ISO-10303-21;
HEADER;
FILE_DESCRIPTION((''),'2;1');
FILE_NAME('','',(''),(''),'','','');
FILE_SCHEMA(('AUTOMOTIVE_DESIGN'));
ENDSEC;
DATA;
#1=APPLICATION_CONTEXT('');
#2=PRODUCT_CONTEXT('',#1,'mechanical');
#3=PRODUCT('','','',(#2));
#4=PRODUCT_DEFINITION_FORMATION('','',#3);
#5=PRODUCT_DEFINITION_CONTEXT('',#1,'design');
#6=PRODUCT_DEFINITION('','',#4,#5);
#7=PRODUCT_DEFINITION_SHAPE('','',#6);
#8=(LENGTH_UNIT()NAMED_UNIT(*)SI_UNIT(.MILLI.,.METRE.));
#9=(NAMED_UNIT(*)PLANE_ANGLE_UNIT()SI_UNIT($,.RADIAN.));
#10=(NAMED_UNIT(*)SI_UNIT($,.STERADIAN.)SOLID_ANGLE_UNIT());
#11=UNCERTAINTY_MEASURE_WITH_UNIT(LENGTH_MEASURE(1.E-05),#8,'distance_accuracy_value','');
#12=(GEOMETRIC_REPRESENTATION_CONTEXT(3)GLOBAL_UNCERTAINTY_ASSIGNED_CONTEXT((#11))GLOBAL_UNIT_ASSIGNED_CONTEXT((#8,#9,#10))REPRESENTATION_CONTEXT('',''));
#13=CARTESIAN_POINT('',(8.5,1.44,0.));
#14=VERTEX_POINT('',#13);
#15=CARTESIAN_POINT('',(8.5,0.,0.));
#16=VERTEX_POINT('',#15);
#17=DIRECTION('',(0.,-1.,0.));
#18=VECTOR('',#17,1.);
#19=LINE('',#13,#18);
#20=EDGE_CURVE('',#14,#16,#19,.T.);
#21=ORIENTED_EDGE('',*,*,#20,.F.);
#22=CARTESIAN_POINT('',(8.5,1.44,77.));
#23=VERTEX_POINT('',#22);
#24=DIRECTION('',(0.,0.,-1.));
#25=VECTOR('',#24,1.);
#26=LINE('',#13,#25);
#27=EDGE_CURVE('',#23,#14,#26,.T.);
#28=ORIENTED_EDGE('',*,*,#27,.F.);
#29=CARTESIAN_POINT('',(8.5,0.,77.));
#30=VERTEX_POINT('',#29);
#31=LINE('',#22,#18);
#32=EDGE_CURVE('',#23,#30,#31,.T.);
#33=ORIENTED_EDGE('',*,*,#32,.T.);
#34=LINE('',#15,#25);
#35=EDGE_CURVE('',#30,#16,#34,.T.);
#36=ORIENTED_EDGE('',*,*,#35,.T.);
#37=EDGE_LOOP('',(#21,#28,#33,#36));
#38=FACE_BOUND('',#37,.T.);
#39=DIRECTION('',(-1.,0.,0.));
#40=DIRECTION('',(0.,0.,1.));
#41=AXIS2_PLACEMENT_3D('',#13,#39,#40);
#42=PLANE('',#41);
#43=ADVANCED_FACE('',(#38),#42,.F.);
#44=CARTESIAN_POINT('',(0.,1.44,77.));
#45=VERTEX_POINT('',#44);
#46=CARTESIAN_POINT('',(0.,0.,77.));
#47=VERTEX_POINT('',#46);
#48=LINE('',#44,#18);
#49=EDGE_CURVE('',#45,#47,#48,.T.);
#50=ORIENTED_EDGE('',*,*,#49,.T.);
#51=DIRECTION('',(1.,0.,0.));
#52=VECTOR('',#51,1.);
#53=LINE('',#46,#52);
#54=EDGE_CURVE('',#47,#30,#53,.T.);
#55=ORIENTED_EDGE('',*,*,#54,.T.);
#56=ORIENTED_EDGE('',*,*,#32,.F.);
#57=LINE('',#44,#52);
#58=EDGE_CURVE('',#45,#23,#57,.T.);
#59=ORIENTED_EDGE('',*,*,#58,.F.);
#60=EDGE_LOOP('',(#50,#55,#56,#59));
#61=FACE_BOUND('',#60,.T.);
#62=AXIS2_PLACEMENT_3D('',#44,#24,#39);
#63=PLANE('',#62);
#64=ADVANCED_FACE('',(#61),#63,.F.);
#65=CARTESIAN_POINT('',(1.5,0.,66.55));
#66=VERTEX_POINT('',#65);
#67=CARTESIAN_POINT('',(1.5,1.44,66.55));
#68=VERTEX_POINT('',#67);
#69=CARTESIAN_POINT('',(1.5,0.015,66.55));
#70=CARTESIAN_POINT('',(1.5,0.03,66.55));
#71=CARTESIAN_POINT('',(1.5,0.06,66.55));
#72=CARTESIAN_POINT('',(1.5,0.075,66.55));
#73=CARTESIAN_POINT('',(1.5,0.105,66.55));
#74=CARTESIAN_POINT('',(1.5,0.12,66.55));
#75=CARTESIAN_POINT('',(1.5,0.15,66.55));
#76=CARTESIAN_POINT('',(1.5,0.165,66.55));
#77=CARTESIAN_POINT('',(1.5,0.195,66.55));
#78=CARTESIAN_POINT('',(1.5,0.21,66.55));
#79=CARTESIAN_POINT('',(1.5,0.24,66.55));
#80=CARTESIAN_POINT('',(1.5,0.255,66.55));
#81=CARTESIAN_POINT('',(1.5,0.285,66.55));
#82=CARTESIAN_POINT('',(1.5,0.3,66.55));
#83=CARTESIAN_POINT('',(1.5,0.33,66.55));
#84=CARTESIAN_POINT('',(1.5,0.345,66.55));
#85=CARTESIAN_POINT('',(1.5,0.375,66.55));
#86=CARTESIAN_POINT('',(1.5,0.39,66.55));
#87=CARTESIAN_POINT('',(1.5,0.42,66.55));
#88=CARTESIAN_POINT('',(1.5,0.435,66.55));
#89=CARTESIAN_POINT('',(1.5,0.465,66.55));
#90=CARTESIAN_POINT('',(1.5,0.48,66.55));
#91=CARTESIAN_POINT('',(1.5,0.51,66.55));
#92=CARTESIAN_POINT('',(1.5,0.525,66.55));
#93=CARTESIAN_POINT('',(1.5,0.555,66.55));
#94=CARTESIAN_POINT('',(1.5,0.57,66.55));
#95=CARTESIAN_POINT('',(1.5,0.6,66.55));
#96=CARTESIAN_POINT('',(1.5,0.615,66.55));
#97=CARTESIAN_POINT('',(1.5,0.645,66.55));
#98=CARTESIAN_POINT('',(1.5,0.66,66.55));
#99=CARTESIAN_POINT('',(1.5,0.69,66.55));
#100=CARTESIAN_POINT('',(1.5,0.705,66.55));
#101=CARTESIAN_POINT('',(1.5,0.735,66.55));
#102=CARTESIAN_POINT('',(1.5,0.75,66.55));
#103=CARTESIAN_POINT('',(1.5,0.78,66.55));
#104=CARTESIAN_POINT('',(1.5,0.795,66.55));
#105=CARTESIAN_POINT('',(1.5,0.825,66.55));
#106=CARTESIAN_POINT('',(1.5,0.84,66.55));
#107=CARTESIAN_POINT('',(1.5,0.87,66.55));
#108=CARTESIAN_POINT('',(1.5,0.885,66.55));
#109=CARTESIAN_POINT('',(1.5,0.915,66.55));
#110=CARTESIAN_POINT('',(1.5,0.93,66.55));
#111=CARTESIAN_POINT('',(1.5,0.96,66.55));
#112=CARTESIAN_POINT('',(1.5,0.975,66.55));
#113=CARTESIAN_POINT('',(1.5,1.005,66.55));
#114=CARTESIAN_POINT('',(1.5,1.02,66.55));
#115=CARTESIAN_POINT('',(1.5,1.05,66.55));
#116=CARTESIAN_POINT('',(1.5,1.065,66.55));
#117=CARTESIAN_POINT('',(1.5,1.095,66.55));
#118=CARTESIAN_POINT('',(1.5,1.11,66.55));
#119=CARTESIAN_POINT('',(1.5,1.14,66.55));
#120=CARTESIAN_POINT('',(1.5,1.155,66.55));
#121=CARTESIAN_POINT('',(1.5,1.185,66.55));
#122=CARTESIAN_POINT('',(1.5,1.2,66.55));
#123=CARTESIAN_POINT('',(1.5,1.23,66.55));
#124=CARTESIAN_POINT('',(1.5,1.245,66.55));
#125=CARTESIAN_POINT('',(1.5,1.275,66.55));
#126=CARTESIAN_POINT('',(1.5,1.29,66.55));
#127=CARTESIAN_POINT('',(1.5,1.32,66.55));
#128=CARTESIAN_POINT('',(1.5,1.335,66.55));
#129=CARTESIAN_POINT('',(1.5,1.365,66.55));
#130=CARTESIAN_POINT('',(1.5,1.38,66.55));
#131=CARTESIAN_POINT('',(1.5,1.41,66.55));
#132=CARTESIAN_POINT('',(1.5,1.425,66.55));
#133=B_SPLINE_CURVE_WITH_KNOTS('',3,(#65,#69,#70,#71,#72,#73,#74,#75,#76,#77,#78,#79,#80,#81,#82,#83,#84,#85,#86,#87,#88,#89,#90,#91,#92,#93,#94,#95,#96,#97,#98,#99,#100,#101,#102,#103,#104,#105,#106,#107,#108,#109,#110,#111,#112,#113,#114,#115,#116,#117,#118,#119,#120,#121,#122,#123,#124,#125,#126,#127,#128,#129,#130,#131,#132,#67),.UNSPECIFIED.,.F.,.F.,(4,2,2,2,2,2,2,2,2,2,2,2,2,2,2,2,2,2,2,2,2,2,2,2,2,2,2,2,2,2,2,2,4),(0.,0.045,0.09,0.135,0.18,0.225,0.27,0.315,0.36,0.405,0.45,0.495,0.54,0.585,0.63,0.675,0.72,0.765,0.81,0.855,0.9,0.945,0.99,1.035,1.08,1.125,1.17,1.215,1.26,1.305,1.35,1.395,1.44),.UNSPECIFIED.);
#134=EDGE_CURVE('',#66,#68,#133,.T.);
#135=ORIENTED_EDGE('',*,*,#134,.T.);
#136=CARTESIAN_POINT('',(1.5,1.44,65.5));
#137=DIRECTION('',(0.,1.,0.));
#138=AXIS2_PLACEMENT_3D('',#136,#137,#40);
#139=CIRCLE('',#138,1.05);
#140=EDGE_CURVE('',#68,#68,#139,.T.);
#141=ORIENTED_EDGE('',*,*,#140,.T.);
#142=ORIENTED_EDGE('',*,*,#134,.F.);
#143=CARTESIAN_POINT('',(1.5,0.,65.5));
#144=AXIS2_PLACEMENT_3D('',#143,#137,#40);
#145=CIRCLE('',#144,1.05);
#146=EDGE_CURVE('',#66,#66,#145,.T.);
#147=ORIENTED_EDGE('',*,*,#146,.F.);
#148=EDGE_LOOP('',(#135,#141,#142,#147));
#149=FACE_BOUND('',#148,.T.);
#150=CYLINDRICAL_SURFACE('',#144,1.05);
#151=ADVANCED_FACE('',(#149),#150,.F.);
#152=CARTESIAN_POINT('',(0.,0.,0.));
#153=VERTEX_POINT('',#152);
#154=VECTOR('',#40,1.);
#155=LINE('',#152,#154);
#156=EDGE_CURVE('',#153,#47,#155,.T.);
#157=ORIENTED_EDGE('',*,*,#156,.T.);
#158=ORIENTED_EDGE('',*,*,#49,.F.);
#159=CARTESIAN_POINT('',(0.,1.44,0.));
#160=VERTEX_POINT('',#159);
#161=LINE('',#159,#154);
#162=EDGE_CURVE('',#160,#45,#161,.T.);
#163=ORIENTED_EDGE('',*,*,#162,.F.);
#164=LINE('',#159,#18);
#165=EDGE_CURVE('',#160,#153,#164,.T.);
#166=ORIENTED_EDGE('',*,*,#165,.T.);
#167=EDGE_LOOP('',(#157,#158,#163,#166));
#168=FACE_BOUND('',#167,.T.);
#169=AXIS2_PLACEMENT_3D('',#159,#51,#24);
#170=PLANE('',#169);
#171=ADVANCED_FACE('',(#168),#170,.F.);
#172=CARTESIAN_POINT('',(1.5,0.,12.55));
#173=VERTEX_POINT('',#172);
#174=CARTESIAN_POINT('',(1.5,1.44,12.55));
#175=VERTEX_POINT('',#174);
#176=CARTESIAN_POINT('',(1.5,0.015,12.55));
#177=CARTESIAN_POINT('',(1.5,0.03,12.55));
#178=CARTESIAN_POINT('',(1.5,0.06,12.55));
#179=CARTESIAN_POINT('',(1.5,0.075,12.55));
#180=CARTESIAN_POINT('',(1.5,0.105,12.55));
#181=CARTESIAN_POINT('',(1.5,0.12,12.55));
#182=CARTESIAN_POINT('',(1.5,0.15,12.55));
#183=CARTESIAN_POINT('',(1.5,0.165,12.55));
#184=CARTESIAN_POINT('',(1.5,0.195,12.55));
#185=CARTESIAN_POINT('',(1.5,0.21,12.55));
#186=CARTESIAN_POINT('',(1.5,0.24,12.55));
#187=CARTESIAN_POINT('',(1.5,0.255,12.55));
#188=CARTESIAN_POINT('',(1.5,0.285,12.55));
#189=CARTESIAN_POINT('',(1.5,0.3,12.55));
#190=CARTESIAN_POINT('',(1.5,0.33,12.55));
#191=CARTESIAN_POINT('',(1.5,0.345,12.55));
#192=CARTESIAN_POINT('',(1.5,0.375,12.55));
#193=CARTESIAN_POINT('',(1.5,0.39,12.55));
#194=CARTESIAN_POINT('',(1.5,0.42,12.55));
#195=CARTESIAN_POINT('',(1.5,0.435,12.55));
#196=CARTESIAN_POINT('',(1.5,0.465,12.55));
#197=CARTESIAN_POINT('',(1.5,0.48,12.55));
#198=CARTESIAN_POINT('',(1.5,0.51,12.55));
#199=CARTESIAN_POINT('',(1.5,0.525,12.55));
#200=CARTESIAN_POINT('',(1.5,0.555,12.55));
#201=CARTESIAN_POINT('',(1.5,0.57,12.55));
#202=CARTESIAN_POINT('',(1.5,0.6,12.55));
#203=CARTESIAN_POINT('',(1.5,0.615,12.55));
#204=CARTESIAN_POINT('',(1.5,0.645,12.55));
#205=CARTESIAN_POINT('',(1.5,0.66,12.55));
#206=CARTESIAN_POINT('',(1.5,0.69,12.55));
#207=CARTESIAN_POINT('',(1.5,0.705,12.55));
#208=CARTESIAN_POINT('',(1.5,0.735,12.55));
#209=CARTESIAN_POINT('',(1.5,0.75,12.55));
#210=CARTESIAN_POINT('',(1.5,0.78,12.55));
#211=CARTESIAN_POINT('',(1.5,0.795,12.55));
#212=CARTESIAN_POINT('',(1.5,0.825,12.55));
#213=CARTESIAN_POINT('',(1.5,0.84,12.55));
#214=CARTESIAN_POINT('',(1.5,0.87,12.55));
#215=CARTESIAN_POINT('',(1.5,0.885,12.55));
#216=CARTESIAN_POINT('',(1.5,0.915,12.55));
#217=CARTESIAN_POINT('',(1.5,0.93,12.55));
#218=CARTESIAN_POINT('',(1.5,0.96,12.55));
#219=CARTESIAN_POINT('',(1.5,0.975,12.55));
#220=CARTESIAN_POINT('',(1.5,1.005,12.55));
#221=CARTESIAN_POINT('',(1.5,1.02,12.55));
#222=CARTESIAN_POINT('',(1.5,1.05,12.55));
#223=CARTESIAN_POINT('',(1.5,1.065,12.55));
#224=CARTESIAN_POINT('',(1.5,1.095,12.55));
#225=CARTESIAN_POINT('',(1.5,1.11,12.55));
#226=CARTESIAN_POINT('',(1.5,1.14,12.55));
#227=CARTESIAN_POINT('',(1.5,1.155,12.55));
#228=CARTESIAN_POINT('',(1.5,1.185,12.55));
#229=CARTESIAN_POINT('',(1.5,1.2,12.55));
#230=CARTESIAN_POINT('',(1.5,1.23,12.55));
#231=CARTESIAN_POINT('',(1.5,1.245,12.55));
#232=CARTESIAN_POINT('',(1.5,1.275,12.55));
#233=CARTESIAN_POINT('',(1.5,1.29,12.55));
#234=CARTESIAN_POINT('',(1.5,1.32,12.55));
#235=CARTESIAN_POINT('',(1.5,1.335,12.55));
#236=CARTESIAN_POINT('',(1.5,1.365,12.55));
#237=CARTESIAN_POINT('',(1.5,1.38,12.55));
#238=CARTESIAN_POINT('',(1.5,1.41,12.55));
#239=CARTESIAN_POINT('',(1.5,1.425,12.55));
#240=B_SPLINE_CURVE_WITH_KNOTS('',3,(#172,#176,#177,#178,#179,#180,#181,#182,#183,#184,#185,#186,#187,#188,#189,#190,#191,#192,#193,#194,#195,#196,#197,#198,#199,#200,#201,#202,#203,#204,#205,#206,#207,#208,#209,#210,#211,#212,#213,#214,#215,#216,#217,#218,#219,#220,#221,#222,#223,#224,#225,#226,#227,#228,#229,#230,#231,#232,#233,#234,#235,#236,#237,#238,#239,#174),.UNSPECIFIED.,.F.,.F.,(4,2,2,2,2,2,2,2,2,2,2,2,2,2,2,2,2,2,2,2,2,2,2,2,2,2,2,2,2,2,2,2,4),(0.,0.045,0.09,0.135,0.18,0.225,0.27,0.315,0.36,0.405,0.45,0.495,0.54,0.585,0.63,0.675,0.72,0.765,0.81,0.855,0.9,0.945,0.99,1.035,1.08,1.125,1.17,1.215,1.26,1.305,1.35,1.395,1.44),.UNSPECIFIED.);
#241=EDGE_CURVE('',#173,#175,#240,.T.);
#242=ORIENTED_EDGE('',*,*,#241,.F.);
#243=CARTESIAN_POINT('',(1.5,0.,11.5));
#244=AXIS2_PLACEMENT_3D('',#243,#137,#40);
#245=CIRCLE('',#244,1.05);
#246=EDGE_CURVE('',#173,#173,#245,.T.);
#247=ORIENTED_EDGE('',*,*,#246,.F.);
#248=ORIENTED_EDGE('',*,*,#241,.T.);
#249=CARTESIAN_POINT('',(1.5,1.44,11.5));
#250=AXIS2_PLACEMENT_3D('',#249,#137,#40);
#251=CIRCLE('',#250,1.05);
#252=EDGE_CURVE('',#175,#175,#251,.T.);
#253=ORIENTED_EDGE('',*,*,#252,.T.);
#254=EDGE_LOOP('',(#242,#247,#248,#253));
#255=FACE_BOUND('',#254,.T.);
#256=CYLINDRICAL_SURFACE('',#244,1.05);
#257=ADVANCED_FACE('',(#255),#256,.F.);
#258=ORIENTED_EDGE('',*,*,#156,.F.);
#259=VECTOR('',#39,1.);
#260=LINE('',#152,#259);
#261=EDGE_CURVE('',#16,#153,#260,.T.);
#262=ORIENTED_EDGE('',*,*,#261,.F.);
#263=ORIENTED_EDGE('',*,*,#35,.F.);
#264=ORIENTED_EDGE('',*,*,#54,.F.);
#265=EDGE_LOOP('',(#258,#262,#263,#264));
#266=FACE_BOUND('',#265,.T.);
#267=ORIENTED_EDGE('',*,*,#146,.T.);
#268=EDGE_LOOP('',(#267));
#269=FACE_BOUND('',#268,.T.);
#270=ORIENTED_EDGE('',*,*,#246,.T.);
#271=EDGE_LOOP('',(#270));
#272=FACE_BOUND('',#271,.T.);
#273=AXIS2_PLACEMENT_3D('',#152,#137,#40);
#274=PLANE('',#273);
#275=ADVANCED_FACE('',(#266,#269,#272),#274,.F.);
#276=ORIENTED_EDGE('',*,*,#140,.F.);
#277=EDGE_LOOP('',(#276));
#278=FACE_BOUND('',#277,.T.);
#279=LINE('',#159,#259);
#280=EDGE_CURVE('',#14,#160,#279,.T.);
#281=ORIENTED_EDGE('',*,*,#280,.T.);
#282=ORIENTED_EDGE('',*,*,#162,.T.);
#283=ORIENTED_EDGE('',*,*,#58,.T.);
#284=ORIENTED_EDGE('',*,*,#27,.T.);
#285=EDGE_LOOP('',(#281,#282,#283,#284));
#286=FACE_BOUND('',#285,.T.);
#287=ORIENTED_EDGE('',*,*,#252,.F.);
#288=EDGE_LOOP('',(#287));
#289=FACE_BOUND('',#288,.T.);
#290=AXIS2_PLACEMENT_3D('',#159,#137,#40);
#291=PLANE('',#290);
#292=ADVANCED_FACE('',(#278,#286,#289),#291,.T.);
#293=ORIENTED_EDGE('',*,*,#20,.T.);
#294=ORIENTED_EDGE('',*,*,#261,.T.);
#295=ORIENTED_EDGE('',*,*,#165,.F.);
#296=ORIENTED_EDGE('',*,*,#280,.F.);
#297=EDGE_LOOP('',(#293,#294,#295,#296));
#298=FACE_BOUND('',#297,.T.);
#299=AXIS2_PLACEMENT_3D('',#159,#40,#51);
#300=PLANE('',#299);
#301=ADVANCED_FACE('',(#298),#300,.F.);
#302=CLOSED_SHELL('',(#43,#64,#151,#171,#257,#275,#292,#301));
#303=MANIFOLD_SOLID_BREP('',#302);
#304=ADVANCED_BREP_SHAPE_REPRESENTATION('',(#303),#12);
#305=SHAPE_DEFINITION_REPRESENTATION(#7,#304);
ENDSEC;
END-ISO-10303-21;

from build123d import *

# Parameters (mm, degrees)
SKETCH_1_W          = 8.5
SKETCH_1_H          = 77
EXTRUDE_1_DEPTH     = 1.44
SKETCH_2_R          = 1.05
CUT_EXTRUDE_1_DEPTH = 1.44


with BuildPart() as part:
    # 草图1 → 凸台-拉伸1 (new body)
    with BuildSketch(Plane(origin=(0, 0, 0), x_dir=(1, 0, 0), z_dir=(0, 1, 0))):
        with Locations((4.25, -38.5)):
            Rectangle(SKETCH_1_W, SKETCH_1_H)
    extrude(amount=EXTRUDE_1_DEPTH)

    # 草图2 → 切除-拉伸1 (cut)
    with BuildSketch(Plane(origin=(0, 1.44, 0), x_dir=(1, 0, 0), z_dir=(0, 1, 0))):
        with Locations(Location((1.5, -65.5, 0), (0, 0, 270))):
            Circle(SKETCH_2_R)
        with Locations(Location((1.5, -11.5, 0), (0, 0, 270))):
            Circle(SKETCH_2_R)
    extrude(amount=-CUT_EXTRUDE_1_DEPTH, mode=Mode.SUBTRACT)


solid = part.part
